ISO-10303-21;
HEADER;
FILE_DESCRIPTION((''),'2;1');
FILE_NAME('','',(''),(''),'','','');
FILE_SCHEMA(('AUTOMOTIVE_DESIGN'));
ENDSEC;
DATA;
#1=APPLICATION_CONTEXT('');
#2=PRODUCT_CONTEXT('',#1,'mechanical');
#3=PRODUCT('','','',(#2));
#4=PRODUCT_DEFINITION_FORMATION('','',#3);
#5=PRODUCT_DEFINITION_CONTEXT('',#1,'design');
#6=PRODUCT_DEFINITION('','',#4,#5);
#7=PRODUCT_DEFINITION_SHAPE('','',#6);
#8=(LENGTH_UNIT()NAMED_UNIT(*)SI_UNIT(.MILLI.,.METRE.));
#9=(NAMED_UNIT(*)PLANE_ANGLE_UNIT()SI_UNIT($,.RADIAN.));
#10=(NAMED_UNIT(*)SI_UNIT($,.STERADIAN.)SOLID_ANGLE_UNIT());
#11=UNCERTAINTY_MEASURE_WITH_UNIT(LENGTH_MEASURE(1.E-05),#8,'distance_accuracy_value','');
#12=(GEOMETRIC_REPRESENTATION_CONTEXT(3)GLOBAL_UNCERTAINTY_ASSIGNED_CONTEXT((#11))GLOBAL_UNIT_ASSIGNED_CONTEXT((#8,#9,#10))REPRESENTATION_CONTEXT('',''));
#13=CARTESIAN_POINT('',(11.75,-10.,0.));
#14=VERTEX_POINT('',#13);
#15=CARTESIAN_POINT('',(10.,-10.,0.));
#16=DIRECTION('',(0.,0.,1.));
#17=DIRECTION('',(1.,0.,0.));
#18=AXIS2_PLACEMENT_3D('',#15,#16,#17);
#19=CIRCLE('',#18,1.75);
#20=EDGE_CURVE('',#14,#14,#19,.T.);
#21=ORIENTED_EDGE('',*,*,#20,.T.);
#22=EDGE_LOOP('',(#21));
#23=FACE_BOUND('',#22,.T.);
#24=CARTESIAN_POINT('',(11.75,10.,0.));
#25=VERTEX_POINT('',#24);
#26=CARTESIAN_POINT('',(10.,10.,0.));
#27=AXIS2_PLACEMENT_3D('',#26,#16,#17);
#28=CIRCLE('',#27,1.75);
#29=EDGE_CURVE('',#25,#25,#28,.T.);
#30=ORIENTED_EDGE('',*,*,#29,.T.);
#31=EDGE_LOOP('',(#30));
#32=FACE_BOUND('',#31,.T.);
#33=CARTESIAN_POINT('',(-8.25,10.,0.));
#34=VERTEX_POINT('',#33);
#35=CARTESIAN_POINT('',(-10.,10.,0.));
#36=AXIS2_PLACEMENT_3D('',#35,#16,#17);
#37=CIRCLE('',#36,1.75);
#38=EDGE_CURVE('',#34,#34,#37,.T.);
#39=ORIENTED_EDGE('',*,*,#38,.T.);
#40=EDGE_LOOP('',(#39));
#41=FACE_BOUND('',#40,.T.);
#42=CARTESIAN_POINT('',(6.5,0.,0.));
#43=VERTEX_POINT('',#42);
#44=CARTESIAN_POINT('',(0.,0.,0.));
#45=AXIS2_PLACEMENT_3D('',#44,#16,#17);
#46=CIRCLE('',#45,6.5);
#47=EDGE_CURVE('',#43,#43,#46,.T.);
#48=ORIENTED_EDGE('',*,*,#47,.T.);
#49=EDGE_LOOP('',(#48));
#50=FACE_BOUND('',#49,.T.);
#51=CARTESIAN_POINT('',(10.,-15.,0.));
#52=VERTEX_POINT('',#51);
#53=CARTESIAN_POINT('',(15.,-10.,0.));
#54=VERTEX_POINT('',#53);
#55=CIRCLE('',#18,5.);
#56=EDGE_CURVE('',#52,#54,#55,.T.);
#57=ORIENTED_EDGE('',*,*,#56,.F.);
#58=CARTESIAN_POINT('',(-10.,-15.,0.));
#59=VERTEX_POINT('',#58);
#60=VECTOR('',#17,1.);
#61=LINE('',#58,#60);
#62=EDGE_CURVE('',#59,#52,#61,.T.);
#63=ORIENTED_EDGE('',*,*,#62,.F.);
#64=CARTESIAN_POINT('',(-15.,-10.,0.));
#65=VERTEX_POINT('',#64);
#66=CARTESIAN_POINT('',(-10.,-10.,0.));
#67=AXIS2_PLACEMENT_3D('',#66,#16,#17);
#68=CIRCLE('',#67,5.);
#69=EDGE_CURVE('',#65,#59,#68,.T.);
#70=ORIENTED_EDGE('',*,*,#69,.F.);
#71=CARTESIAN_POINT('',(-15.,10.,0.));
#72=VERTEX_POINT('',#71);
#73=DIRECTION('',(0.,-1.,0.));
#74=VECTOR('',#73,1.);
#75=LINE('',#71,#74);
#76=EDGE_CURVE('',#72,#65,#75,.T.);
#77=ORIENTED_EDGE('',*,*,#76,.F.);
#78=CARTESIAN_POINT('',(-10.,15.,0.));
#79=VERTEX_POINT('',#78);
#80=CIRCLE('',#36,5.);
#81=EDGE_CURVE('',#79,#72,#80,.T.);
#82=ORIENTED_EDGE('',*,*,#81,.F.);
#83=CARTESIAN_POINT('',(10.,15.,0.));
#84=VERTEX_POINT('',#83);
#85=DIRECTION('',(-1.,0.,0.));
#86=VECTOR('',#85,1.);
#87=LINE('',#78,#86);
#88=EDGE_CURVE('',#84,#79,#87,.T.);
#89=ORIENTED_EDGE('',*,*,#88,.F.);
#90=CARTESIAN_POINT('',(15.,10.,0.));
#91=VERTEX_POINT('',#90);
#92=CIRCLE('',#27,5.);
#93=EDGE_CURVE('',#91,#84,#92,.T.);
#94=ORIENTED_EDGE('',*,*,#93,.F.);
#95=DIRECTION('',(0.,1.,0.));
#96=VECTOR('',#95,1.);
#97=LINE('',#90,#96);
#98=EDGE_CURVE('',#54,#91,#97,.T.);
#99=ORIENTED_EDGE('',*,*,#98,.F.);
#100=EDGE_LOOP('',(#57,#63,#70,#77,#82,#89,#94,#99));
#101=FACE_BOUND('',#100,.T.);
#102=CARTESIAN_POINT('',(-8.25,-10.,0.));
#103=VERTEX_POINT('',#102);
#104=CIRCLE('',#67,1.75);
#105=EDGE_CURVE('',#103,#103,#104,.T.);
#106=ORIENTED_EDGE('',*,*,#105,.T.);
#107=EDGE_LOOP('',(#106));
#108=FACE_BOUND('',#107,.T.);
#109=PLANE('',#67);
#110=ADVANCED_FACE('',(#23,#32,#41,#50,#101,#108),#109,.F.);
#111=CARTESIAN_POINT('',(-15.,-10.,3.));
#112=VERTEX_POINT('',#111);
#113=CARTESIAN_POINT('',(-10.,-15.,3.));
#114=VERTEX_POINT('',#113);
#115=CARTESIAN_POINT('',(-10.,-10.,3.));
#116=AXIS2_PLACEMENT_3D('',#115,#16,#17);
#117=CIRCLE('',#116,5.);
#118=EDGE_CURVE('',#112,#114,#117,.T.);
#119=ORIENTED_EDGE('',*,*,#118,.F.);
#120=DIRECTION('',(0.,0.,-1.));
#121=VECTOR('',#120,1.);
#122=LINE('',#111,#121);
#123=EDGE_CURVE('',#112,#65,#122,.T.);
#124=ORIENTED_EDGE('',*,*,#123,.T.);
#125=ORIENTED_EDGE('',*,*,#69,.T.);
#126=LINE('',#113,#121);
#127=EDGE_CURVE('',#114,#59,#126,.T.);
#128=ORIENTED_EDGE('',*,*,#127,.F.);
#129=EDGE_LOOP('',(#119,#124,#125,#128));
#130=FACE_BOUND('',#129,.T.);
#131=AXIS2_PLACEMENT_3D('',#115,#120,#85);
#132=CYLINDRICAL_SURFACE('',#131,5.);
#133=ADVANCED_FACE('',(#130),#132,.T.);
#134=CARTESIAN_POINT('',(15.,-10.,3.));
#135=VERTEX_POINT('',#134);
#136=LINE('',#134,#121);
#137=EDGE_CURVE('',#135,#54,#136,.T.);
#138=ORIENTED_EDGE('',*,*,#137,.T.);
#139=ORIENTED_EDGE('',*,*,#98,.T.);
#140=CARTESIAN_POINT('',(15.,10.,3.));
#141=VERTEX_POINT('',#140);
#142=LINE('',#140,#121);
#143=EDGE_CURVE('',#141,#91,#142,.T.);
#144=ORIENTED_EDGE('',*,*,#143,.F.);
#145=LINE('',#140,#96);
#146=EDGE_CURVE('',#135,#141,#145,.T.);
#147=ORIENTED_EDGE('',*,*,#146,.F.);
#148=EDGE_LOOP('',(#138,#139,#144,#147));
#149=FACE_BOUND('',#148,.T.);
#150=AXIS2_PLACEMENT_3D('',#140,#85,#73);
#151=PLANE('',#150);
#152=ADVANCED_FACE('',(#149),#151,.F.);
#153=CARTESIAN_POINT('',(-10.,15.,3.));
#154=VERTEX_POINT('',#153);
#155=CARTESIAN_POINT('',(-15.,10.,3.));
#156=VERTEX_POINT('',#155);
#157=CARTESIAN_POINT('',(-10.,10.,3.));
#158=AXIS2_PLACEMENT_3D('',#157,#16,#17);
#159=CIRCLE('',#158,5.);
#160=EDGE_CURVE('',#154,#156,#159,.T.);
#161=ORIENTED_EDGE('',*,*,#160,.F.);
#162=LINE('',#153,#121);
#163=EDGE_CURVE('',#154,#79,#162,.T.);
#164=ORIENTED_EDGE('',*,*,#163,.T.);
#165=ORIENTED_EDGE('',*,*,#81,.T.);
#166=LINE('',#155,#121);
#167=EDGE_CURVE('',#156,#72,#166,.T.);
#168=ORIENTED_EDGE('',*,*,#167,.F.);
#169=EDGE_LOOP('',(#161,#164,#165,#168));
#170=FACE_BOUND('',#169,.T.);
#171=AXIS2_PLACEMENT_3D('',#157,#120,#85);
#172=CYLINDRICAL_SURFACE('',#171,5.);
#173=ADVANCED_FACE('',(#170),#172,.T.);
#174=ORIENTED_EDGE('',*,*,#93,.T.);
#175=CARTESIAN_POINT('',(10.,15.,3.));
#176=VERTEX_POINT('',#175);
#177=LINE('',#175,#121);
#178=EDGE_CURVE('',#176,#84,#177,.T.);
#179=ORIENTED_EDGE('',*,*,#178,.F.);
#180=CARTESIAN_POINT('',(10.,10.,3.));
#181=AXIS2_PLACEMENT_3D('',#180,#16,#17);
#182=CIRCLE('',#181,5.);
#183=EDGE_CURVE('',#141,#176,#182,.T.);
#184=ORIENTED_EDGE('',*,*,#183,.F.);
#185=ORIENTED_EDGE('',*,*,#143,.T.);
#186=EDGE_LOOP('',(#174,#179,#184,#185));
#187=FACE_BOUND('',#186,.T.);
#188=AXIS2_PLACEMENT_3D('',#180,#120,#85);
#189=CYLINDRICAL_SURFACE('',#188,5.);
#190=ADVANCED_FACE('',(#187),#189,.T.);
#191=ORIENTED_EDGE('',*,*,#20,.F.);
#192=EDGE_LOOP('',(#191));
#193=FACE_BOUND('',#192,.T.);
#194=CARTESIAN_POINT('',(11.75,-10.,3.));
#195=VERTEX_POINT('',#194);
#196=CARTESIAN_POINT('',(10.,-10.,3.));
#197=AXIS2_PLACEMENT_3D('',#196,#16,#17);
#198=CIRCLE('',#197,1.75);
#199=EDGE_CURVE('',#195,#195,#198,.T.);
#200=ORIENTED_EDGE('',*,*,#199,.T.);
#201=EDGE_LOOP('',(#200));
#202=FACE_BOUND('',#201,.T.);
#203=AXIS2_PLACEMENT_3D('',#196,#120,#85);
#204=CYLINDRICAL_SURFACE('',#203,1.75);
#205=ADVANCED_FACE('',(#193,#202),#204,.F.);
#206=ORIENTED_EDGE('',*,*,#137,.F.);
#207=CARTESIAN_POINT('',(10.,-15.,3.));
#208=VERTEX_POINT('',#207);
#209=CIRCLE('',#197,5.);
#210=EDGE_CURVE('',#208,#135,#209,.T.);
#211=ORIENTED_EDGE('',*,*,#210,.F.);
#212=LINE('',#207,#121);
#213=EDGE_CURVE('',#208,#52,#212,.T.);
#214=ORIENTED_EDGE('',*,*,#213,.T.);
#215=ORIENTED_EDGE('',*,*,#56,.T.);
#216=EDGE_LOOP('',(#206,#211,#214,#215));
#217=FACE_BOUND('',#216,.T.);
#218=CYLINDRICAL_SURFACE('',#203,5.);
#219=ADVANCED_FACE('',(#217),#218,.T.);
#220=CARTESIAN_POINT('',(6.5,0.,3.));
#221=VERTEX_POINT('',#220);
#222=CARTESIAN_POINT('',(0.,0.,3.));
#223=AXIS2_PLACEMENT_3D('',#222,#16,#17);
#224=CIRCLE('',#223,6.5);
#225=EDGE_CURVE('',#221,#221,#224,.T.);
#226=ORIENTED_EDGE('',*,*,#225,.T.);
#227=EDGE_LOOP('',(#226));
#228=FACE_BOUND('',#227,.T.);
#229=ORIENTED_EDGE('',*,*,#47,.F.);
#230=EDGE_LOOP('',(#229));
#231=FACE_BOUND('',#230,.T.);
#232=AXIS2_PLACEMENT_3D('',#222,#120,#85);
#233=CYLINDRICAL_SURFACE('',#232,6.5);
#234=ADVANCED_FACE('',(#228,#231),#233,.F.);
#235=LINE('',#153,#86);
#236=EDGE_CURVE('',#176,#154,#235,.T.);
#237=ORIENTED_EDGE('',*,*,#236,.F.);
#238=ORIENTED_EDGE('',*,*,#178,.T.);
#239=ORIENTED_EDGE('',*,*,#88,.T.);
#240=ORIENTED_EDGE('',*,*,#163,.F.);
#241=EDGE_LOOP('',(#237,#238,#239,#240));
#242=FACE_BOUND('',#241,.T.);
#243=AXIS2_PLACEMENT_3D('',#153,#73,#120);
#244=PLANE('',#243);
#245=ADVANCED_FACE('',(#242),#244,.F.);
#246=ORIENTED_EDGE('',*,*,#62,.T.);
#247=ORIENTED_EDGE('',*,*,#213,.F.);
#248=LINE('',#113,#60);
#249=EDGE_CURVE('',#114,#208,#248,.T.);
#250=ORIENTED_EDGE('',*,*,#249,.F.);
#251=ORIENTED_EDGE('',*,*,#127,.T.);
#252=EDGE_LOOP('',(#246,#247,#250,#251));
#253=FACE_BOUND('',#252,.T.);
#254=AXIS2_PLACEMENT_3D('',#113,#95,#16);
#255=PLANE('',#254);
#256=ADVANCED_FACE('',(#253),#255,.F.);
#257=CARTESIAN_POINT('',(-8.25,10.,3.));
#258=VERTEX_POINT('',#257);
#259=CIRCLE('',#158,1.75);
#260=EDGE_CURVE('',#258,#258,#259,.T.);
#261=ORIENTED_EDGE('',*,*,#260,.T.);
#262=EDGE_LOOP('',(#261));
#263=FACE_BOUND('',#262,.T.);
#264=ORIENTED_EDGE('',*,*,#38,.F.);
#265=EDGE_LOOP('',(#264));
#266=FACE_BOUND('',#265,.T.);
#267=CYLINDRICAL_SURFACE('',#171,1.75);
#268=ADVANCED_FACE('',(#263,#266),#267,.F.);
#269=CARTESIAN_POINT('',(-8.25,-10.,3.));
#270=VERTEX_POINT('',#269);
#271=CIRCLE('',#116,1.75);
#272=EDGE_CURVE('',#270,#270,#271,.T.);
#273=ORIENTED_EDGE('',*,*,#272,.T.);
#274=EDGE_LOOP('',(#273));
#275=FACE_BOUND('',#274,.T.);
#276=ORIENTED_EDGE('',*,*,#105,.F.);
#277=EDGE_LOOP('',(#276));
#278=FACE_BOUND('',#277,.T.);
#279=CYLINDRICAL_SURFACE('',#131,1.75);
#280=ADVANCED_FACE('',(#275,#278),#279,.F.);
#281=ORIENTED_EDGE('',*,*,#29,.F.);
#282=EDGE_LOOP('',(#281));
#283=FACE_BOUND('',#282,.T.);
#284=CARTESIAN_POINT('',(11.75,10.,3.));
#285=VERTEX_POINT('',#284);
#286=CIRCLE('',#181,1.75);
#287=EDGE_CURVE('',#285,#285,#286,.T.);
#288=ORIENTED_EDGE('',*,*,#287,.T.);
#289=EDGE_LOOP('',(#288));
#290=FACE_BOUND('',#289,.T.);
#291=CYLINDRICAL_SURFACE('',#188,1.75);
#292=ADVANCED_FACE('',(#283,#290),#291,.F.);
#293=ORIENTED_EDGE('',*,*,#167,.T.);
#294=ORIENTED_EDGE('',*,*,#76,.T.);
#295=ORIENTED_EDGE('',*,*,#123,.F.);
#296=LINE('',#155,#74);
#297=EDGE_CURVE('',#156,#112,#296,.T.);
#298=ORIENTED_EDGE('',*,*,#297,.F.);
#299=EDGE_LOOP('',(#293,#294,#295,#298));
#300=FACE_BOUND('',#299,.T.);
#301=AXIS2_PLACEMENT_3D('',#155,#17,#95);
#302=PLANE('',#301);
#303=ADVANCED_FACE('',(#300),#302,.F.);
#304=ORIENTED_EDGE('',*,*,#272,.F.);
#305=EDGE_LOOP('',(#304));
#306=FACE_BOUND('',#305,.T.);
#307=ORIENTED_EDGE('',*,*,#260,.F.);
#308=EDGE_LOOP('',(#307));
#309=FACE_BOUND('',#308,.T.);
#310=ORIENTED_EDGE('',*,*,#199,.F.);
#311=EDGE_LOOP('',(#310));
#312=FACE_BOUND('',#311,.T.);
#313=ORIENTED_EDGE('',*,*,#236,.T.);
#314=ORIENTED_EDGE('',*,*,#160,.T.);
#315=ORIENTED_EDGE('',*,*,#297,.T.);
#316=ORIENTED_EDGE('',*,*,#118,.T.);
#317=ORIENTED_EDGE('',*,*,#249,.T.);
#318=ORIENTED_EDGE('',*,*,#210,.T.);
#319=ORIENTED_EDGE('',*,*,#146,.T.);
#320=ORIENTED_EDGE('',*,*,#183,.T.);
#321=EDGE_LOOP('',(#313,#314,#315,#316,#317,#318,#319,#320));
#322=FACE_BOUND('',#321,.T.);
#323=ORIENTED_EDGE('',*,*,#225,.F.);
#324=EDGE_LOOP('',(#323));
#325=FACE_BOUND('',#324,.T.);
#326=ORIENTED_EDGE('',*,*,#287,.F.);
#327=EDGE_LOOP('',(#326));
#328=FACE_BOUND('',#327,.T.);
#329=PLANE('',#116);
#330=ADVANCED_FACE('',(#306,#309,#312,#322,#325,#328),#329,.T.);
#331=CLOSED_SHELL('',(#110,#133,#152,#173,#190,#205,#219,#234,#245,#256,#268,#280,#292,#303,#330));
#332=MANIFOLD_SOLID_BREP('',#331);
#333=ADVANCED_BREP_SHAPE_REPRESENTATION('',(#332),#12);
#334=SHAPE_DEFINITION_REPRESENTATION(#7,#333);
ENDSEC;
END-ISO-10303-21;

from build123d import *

# Parameters (mm, degrees)
SKETCH1_R           = 6.5
SKETCH1_R_2         = 1.75
BOSS_EXTRUDE1_DEPTH = 3


with BuildPart() as part:
    # Sketch1 → Boss-Extrude1 (new body)
    with BuildSketch(Plane.XY):
        with BuildLine():
            Line((-10, 15), (10, 15))
            ThreePointArc((10, 15), (13.535533906, 13.535533906), (15, 10))
            Line((15, 10), (15, -10))
            ThreePointArc((15, -10), (13.535533906, -13.535533906), (10, -15))
            Line((10, -15), (-10, -15))
            ThreePointArc((-10, -15), (-13.535533906, -13.535533906), (-15, -10))
            Line((-15, -10), (-15, 10))
            ThreePointArc((-15, 10), (-13.535533906, 13.535533906), (-10, 15))
        make_face()
        Circle(SKETCH1_R, mode=Mode.SUBTRACT)
        with Locations((-10, 10)):
            Circle(SKETCH1_R_2, mode=Mode.SUBTRACT)
        with Locations((10, 10)):
            Circle(SKETCH1_R_2, mode=Mode.SUBTRACT)
        with Locations((10, -10)):
            Circle(SKETCH1_R_2, mode=Mode.SUBTRACT)
        with Locations((-10, -10)):
            Circle(SKETCH1_R_2, mode=Mode.SUBTRACT)
    extrude(amount=BOSS_EXTRUDE1_DEPTH)


solid = part.part
